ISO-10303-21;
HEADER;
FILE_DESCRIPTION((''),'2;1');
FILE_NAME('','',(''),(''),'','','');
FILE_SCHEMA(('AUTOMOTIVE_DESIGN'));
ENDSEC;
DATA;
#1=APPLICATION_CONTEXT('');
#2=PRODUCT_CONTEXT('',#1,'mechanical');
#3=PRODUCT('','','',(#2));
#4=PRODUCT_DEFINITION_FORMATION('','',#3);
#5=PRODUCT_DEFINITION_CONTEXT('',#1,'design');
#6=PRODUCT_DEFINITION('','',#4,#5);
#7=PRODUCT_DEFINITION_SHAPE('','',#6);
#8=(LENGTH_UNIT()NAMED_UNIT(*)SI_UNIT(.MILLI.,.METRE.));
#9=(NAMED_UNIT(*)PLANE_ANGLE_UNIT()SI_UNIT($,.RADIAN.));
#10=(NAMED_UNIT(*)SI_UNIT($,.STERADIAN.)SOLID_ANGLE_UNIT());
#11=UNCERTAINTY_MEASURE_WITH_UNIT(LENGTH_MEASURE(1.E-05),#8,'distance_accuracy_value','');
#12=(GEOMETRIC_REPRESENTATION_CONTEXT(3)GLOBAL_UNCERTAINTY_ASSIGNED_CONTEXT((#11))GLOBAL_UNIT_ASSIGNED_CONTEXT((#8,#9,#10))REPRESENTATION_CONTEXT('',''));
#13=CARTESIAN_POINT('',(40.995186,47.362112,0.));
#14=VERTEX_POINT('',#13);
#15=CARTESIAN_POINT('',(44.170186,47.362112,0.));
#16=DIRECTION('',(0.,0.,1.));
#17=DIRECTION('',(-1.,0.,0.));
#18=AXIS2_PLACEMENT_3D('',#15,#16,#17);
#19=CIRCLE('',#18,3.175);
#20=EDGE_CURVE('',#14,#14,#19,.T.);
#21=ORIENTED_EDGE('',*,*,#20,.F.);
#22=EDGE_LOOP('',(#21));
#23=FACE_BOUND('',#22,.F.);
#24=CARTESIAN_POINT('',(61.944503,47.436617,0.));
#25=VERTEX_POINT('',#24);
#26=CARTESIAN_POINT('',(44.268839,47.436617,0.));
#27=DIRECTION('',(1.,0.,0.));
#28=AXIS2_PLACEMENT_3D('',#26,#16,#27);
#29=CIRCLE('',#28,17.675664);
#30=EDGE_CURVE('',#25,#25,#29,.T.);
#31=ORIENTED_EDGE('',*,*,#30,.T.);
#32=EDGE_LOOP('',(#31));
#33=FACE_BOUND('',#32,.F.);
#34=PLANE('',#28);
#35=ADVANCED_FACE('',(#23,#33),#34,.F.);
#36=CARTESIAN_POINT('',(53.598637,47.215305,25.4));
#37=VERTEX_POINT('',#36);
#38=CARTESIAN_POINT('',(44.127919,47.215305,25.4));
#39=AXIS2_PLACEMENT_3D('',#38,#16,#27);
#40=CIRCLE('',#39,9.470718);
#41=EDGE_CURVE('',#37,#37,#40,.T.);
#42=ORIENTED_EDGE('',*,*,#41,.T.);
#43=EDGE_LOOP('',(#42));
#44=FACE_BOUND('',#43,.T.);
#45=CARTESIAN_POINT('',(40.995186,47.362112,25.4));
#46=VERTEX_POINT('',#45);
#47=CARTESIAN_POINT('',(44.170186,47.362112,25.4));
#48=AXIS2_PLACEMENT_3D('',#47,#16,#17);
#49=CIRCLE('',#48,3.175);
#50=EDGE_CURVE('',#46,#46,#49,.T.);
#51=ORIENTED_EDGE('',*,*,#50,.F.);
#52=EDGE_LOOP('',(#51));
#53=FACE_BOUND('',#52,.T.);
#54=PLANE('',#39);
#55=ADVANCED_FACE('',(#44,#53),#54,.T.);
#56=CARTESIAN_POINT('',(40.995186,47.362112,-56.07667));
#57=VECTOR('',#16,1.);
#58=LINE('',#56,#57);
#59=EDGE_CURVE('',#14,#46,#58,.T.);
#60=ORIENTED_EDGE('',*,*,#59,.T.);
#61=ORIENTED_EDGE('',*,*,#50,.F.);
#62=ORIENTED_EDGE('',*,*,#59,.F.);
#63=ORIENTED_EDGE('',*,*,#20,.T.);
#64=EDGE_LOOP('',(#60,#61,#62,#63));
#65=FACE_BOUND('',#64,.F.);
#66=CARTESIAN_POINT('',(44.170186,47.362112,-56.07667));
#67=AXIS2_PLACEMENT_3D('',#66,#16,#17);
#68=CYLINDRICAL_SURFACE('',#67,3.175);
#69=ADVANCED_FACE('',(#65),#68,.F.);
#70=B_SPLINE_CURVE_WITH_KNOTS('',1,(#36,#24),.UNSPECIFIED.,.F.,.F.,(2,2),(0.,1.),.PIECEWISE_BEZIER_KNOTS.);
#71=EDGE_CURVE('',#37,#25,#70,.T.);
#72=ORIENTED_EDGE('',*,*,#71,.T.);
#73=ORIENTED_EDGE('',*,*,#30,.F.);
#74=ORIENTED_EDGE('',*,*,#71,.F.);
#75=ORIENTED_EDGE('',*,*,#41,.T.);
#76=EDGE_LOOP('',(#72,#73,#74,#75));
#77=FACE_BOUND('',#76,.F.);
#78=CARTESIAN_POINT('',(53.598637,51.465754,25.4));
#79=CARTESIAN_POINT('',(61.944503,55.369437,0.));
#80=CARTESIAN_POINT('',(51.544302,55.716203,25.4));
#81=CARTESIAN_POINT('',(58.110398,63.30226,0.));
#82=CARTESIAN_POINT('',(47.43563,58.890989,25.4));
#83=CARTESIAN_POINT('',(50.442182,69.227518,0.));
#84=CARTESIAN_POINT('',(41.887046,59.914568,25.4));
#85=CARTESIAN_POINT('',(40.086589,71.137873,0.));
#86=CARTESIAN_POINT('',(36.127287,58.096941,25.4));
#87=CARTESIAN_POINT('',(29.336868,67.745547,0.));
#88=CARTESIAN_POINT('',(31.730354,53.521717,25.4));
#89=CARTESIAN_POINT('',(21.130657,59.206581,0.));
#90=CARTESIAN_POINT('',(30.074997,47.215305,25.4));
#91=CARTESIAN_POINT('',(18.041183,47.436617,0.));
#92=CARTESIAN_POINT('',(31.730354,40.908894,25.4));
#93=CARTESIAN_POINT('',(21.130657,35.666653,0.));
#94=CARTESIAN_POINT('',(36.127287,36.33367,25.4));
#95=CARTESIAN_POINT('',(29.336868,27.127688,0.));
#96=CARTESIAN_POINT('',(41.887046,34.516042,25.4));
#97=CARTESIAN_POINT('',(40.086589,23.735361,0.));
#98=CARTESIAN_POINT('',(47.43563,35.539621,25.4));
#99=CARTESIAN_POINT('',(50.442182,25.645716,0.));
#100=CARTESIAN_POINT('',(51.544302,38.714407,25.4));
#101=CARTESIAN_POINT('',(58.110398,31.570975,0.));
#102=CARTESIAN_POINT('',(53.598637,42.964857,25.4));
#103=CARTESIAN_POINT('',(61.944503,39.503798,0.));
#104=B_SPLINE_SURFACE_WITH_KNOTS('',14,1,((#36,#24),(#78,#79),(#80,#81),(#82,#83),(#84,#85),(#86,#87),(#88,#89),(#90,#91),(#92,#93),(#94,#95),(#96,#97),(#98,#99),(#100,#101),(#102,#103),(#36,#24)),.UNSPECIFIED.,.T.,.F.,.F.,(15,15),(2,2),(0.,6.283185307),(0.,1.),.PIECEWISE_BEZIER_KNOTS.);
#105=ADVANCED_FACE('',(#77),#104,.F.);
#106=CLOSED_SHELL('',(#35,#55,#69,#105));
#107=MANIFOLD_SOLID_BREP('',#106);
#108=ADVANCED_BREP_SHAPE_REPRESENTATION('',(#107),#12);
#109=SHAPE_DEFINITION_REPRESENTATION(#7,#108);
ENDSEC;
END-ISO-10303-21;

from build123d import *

# Parameters (mm, degrees)
F3_R = 9.4707178816
F0_R = 17.6756643919
F5_D = 6.35


with BuildPart() as f4:
    # F3 (on offset) → F4 section 0
    with BuildSketch(Plane.XY.offset(25.4)):
        with Locations((44.1279187799, 47.2153052688)):
            Circle(F3_R)
    # F0 (on Top) → F4 section 1
    with BuildSketch(Plane.XY):
        with Locations((44.2688390613, 47.4366173148)):
            Circle(F0_R)
    loft()

    # F5 (through all)
    with Locations(Plane(origin=(0, 0, 0), x_dir=(1, 0, 0), z_dir=(0, 0, -1))):
        with Locations((44.1701859236, -47.3621115088)):
            Hole(F5_D / 2)


solid = f4.part
